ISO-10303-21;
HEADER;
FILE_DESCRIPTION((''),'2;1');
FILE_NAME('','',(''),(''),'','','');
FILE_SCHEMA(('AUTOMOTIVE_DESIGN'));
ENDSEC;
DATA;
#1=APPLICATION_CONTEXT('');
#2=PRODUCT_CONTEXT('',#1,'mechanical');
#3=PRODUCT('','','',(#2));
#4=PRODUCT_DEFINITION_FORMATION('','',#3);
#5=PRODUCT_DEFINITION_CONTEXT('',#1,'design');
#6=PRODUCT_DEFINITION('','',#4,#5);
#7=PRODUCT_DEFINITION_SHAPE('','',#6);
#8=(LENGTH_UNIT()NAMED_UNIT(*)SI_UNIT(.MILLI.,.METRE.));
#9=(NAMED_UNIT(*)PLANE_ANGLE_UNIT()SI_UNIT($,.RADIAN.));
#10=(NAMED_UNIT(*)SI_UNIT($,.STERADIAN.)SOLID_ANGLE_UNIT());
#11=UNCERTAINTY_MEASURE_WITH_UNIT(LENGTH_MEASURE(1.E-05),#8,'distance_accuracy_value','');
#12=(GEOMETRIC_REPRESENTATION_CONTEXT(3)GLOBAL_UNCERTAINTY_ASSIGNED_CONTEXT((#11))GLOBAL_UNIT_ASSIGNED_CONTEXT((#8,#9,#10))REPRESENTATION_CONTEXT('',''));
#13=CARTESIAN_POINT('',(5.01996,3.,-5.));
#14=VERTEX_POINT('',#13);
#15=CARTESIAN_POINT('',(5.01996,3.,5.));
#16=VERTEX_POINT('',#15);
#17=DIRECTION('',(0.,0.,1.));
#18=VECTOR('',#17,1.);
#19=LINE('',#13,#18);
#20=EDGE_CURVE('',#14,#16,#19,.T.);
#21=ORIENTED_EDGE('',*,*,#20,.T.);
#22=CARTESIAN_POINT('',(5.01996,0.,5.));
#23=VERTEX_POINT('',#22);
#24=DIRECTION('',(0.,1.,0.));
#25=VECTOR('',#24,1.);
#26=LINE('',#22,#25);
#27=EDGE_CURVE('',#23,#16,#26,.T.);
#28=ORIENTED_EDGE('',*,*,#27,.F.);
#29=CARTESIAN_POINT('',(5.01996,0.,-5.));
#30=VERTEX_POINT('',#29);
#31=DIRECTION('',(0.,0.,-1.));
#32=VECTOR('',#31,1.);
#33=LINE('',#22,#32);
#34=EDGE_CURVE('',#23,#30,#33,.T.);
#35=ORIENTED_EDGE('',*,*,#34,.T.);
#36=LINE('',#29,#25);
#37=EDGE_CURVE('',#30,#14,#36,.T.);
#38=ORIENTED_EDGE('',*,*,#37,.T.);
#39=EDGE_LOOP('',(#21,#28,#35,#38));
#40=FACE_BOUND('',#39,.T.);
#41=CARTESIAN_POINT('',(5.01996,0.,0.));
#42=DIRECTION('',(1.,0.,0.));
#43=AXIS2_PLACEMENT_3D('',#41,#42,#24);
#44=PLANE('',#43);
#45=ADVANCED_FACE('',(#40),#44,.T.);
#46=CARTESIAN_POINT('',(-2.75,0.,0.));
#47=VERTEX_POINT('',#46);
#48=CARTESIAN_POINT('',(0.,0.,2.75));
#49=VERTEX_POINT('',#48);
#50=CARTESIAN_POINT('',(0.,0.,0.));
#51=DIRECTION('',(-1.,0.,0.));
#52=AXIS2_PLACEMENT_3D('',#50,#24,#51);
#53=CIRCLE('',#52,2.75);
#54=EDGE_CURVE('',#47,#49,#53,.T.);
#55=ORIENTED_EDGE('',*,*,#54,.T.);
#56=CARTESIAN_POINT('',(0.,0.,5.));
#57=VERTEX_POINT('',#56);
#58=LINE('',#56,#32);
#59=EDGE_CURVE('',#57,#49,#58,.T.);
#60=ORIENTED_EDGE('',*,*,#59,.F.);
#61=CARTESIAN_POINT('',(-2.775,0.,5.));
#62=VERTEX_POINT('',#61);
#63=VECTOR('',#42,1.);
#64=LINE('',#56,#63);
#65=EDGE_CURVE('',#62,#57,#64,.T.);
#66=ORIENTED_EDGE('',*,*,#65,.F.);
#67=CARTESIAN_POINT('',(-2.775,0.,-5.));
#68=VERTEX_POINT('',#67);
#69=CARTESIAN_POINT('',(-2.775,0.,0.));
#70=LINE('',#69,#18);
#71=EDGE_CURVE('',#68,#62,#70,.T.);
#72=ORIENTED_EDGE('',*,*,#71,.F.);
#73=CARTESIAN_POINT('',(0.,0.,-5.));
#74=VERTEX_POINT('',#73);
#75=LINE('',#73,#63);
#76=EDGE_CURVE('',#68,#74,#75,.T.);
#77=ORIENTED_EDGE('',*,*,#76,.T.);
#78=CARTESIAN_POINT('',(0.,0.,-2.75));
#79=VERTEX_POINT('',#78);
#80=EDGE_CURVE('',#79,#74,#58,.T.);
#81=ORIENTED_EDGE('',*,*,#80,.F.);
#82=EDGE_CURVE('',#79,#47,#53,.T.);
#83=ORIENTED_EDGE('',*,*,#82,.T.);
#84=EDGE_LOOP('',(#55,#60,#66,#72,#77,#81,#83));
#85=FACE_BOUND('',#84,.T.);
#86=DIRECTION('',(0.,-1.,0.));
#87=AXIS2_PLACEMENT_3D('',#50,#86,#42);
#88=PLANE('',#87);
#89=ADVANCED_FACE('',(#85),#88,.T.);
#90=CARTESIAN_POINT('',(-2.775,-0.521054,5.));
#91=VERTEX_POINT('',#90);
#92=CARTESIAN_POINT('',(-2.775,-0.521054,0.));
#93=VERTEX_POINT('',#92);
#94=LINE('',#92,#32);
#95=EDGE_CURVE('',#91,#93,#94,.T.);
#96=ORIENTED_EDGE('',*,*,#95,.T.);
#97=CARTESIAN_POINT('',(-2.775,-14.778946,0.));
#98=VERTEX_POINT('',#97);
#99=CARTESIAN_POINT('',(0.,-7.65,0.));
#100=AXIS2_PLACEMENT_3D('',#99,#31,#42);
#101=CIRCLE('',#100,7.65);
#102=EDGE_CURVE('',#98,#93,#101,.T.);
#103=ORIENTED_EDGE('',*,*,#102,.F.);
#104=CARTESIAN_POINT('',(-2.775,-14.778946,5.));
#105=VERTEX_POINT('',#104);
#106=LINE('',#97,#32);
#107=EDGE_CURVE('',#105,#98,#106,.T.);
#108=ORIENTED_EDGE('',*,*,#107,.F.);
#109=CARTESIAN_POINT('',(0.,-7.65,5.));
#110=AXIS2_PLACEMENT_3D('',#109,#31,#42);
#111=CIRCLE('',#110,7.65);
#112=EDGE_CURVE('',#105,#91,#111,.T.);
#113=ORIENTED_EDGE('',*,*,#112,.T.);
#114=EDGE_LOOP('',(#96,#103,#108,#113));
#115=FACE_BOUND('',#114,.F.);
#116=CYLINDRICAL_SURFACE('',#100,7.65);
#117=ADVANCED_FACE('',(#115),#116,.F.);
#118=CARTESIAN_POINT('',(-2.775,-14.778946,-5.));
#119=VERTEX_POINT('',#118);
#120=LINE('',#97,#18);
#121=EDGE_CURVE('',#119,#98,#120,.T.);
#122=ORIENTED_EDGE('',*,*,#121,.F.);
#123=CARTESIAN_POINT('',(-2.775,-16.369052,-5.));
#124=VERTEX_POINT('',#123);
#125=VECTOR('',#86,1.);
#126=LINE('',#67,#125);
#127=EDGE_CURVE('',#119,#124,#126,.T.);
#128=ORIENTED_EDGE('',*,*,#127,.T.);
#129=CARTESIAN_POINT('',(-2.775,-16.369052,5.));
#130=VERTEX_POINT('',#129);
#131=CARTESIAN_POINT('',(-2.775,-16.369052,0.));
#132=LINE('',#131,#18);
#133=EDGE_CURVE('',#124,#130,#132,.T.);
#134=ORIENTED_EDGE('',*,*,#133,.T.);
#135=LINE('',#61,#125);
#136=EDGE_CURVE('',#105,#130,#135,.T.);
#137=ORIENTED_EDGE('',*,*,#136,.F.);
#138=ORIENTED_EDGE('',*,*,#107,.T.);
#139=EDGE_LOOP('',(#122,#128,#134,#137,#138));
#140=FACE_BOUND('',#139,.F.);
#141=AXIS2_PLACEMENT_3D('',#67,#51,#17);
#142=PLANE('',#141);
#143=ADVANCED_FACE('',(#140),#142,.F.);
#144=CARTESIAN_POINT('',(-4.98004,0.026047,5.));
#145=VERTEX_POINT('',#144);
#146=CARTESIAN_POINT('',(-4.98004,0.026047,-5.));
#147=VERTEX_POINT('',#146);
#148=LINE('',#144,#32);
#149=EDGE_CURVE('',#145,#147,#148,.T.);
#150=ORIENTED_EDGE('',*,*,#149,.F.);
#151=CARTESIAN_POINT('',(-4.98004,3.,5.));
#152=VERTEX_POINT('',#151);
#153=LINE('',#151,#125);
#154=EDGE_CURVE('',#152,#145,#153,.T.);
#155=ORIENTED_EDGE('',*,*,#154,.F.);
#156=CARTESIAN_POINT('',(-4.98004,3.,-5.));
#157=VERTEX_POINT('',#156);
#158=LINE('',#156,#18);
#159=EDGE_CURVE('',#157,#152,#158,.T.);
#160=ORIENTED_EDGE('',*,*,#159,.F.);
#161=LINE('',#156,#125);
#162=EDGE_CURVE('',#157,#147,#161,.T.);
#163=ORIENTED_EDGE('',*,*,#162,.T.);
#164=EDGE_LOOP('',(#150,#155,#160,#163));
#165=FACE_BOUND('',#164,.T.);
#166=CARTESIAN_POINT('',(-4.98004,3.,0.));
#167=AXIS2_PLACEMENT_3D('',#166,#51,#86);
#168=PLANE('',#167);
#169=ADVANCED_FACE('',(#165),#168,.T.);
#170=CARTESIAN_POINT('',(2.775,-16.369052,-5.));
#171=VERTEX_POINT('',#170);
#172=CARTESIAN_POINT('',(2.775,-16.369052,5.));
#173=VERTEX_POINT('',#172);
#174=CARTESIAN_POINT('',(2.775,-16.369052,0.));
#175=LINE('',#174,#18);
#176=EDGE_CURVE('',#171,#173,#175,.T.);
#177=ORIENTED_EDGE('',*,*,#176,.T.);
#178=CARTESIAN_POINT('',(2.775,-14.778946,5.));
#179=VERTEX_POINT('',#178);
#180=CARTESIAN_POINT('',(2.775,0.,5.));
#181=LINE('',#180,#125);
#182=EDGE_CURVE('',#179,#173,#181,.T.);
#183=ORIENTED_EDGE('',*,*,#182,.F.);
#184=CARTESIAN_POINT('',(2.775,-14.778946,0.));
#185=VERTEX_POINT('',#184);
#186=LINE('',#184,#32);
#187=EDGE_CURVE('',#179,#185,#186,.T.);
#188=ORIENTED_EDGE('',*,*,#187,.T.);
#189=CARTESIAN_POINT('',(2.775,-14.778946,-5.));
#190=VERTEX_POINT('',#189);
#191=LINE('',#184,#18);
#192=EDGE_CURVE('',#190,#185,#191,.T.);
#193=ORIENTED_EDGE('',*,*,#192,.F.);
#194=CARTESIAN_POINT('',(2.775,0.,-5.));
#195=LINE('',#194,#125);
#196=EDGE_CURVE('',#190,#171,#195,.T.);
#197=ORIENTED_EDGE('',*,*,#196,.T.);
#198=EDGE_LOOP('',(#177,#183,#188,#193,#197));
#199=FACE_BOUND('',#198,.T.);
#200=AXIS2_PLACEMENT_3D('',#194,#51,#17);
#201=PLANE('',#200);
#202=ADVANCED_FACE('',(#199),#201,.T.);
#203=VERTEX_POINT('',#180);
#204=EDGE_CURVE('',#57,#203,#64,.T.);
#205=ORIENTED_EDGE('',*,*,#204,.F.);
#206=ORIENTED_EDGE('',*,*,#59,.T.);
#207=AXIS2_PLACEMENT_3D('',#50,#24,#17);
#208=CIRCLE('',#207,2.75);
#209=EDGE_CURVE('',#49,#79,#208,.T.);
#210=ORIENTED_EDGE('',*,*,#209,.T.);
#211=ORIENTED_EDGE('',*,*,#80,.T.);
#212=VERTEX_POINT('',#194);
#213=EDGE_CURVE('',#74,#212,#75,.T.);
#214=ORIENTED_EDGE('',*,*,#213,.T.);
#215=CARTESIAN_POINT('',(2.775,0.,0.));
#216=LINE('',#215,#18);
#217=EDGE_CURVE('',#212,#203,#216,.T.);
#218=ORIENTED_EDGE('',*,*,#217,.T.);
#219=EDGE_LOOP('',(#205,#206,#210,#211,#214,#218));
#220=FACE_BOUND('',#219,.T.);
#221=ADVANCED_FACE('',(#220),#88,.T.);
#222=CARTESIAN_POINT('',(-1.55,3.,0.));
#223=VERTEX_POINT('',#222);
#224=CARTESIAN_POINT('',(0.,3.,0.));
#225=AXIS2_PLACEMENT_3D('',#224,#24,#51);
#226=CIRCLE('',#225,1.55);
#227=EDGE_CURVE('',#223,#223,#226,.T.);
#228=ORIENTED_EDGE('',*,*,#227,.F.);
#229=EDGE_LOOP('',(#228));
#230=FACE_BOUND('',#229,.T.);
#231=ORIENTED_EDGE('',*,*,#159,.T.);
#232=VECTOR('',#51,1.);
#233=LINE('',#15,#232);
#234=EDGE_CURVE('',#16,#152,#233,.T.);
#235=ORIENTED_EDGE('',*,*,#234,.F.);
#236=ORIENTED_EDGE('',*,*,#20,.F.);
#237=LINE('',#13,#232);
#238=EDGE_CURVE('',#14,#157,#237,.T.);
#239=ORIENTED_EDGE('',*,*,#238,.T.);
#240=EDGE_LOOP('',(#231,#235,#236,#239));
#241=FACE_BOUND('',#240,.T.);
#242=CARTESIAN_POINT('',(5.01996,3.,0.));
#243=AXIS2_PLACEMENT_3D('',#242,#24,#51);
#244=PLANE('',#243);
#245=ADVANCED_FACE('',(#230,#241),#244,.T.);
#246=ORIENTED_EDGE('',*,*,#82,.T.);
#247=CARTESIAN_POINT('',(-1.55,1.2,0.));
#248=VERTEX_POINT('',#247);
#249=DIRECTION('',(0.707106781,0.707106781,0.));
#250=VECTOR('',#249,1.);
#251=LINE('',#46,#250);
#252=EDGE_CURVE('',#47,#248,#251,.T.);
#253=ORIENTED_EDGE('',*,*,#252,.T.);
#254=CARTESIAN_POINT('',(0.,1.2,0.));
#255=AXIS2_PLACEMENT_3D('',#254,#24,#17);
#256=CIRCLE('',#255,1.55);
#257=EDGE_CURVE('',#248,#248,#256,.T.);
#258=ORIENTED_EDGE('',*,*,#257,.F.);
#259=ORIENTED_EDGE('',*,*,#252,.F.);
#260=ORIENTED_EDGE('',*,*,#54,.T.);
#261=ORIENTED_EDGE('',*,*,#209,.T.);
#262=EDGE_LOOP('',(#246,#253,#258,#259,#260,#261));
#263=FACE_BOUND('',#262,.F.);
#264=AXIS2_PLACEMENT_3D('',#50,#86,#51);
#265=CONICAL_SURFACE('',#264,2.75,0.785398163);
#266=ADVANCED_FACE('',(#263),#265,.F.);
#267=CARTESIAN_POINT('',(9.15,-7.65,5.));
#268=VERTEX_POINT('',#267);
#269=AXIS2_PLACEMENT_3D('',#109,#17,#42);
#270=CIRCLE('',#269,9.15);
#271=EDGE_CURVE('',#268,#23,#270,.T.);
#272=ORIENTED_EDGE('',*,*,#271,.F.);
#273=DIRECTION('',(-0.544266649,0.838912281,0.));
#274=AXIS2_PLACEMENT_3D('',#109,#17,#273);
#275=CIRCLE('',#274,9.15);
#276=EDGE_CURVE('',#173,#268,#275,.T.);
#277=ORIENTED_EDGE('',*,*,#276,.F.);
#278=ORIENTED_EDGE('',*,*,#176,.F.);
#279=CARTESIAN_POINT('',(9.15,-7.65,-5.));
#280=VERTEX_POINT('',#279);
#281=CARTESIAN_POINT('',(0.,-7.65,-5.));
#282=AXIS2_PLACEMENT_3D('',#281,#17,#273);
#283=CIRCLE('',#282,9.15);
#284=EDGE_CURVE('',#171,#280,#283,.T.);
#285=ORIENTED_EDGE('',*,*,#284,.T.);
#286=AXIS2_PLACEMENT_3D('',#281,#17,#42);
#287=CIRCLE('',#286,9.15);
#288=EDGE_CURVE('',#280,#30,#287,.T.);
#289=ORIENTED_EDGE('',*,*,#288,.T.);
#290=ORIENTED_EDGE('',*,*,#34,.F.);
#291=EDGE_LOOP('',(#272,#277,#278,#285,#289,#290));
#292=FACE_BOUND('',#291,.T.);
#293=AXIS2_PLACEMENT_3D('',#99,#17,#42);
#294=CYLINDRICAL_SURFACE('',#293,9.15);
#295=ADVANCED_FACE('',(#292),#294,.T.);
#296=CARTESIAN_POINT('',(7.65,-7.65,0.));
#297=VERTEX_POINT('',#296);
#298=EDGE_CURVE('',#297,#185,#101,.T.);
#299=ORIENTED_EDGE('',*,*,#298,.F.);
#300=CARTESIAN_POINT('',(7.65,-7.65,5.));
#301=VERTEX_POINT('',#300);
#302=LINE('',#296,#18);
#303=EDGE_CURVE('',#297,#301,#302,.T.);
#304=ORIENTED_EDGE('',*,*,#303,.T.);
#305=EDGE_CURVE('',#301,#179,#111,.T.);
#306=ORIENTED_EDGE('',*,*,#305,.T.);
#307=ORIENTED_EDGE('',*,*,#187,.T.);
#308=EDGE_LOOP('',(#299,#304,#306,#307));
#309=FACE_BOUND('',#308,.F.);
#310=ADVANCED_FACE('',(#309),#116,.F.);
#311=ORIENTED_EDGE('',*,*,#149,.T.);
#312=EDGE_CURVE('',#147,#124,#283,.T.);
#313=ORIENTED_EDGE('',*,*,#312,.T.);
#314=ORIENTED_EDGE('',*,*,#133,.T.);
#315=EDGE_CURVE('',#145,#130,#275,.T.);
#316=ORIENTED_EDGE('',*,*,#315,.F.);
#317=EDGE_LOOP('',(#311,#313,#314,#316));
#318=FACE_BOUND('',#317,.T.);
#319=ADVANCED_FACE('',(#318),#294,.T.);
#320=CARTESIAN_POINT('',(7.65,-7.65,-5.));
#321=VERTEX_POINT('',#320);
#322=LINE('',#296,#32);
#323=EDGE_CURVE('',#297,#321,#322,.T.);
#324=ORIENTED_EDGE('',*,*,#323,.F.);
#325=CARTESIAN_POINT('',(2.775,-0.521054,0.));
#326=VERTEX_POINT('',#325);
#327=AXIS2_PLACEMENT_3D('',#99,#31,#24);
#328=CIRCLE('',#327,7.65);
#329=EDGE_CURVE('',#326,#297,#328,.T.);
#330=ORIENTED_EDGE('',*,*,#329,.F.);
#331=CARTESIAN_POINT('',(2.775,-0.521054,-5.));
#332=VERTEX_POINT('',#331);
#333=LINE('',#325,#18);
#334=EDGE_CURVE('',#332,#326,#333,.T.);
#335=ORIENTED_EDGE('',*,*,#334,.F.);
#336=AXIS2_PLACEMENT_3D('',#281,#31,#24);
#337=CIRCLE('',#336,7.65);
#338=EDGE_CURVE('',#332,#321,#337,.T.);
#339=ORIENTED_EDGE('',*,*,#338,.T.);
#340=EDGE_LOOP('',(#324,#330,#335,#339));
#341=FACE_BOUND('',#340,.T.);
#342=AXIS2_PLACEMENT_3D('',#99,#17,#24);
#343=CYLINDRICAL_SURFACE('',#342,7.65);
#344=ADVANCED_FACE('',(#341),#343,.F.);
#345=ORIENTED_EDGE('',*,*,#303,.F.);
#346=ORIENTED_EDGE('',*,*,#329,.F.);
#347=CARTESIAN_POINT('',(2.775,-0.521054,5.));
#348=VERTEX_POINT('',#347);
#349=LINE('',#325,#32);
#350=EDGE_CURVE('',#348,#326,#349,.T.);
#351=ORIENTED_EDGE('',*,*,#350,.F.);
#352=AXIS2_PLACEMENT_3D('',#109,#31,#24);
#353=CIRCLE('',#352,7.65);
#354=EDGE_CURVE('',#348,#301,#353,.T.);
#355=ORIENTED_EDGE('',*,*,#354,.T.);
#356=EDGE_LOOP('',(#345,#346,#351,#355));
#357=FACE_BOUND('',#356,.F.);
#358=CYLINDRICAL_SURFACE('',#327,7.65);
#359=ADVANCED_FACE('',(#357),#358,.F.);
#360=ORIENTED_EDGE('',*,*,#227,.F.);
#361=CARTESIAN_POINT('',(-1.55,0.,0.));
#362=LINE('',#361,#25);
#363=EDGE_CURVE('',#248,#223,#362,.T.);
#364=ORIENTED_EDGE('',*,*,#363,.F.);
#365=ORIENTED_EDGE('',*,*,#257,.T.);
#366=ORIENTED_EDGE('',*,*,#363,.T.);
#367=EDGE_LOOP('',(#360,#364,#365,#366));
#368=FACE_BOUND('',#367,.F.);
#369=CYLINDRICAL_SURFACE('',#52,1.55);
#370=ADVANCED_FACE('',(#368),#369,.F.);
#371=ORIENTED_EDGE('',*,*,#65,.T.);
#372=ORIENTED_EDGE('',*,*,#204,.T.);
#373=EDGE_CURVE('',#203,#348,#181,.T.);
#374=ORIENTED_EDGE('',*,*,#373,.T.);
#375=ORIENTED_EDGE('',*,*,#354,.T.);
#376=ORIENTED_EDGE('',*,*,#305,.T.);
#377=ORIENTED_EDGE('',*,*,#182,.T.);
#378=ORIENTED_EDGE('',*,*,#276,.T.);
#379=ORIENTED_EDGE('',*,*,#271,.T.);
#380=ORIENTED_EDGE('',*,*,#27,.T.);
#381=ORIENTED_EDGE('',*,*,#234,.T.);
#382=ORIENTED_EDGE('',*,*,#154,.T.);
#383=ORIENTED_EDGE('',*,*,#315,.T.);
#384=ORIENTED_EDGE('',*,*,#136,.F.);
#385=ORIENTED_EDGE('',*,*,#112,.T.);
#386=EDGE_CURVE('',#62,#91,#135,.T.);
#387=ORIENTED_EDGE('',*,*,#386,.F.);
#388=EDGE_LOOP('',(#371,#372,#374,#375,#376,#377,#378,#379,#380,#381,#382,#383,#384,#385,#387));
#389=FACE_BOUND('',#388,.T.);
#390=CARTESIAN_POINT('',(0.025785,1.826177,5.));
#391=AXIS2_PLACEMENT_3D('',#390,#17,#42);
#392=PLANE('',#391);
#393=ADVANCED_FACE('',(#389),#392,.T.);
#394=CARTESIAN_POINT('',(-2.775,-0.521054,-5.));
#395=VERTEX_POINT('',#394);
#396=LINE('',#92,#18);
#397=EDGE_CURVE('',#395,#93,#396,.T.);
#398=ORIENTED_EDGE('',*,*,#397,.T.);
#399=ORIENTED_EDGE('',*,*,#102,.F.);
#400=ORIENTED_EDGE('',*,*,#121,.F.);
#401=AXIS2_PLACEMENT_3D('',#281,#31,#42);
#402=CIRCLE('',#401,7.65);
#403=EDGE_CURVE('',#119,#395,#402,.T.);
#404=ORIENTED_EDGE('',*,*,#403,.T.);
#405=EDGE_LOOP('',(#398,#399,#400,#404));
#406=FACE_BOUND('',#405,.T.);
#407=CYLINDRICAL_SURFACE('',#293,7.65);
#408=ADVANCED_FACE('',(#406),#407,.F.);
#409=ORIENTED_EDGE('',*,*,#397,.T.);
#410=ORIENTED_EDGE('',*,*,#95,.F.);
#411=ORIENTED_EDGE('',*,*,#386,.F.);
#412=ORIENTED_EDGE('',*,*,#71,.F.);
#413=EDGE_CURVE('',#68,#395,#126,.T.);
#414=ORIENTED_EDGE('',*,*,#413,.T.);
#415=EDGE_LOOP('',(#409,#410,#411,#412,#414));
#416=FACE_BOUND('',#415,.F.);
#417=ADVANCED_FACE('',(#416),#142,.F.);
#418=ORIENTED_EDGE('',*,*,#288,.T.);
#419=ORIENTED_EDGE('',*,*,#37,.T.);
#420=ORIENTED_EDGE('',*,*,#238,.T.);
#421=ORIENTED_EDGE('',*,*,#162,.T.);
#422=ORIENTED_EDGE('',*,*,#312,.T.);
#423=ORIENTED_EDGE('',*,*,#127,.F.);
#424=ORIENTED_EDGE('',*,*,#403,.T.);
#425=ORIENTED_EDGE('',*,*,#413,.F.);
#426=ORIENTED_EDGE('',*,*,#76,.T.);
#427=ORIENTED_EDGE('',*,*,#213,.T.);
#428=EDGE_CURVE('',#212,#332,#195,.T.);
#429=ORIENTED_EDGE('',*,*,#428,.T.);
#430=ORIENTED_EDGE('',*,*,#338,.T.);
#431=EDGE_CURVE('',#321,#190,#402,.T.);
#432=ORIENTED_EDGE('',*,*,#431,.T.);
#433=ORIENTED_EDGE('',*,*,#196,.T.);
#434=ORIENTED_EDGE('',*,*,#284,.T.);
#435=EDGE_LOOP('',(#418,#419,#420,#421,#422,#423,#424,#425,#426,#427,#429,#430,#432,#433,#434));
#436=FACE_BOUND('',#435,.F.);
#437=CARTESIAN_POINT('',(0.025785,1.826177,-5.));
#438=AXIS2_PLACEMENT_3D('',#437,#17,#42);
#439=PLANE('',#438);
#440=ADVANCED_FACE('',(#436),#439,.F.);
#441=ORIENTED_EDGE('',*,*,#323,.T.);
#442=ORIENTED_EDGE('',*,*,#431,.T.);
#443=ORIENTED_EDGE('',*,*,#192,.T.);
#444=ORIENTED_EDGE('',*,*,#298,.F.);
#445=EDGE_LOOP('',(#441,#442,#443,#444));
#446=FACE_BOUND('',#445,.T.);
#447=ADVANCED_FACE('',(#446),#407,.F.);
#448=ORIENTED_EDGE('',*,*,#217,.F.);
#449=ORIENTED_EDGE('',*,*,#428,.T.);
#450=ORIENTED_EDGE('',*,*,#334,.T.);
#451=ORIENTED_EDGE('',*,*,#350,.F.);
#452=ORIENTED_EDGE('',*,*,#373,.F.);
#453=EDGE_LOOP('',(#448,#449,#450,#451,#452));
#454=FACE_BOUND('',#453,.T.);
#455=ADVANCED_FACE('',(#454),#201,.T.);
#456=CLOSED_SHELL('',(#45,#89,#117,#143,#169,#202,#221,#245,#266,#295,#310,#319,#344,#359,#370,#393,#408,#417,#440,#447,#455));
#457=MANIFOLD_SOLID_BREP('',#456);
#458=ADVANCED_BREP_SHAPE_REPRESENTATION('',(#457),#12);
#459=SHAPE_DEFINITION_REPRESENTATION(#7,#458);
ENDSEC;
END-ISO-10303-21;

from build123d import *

# Parameters (mm, degrees)
F1_DEPTH       = 5
F1_DEPTH_BACK  = 5
F2_W           = 5.55
F2_H           = 10
F3_DEPTH       = 25
F5_D           = 3.1
F5_CSINK_D     = 5.5
F5_CSINK_ANGLE = 90


with BuildPart() as f1:
    # F0 (on Top) → F1 (new body, two sides)
    with BuildSketch(Plane.XY) as f1_sk:
        with BuildLine():
            Line((5.0199601592, 0), (5.0199601592, 3))
            Line((5.0199601592, 3), (-4.9800398408, 3))
            Line((-4.9800398408, 3), (-4.9800398408, 0.0260473672))
            ThreePointArc((-4.9800398408, 0.0260473672), (0.0238332602, 1.4999689604), (5.0199601592, 0))
        make_face()
        with BuildLine():
            ThreePointArc((9.15, -7.65), (8.0515568512, -3.3031698594), (5.0199601592, 0))
            Line((5.0199601592, 0), (0, 0))
            Line((0, 0), (-4.9800398408, 0))
            Line((-4.9800398408, 0), (-4.9800398408, 0.0260473672))
            ThreePointArc((-4.9800398408, 0.0260473672), (-4.3677875095, -15.6902072282), (9.15, -7.65))
        make_face()
        with BuildLine():
            ThreePointArc((7.65, -7.65), (-5.4093668761, -13.0593668761), (0, 0))
            ThreePointArc((0, 0), (5.4093668761, -2.2406331239), (7.65, -7.65))
        make_face(mode=Mode.SUBTRACT)
        with BuildLine():
            Line((0, 0), (5.0199601592, 0))
            ThreePointArc((5.0199601592, 0), (0.0238332602, 1.4999689604), (-4.9800398408, 0.0260473672))
            Line((-4.9800398408, 0.0260473672), (-4.9800398408, 0))
            Line((-4.9800398408, 0), (0, 0))
        make_face()
    extrude(amount=F1_DEPTH)
    extrude(f1_sk.sketch, amount=-F1_DEPTH_BACK)

    # F2 (on Front) → F3 (cut)
    with BuildSketch(Plane.XZ):
        Rectangle(F2_W, F2_H)
    extrude(amount=F3_DEPTH, mode=Mode.SUBTRACT)

    # F5 (through all)
    with Locations(Plane.XZ):
        with Locations((0, 0)):
            CounterSinkHole(F5_D / 2, F5_CSINK_D / 2, counter_sink_angle=F5_CSINK_ANGLE)


solid = f1.part
